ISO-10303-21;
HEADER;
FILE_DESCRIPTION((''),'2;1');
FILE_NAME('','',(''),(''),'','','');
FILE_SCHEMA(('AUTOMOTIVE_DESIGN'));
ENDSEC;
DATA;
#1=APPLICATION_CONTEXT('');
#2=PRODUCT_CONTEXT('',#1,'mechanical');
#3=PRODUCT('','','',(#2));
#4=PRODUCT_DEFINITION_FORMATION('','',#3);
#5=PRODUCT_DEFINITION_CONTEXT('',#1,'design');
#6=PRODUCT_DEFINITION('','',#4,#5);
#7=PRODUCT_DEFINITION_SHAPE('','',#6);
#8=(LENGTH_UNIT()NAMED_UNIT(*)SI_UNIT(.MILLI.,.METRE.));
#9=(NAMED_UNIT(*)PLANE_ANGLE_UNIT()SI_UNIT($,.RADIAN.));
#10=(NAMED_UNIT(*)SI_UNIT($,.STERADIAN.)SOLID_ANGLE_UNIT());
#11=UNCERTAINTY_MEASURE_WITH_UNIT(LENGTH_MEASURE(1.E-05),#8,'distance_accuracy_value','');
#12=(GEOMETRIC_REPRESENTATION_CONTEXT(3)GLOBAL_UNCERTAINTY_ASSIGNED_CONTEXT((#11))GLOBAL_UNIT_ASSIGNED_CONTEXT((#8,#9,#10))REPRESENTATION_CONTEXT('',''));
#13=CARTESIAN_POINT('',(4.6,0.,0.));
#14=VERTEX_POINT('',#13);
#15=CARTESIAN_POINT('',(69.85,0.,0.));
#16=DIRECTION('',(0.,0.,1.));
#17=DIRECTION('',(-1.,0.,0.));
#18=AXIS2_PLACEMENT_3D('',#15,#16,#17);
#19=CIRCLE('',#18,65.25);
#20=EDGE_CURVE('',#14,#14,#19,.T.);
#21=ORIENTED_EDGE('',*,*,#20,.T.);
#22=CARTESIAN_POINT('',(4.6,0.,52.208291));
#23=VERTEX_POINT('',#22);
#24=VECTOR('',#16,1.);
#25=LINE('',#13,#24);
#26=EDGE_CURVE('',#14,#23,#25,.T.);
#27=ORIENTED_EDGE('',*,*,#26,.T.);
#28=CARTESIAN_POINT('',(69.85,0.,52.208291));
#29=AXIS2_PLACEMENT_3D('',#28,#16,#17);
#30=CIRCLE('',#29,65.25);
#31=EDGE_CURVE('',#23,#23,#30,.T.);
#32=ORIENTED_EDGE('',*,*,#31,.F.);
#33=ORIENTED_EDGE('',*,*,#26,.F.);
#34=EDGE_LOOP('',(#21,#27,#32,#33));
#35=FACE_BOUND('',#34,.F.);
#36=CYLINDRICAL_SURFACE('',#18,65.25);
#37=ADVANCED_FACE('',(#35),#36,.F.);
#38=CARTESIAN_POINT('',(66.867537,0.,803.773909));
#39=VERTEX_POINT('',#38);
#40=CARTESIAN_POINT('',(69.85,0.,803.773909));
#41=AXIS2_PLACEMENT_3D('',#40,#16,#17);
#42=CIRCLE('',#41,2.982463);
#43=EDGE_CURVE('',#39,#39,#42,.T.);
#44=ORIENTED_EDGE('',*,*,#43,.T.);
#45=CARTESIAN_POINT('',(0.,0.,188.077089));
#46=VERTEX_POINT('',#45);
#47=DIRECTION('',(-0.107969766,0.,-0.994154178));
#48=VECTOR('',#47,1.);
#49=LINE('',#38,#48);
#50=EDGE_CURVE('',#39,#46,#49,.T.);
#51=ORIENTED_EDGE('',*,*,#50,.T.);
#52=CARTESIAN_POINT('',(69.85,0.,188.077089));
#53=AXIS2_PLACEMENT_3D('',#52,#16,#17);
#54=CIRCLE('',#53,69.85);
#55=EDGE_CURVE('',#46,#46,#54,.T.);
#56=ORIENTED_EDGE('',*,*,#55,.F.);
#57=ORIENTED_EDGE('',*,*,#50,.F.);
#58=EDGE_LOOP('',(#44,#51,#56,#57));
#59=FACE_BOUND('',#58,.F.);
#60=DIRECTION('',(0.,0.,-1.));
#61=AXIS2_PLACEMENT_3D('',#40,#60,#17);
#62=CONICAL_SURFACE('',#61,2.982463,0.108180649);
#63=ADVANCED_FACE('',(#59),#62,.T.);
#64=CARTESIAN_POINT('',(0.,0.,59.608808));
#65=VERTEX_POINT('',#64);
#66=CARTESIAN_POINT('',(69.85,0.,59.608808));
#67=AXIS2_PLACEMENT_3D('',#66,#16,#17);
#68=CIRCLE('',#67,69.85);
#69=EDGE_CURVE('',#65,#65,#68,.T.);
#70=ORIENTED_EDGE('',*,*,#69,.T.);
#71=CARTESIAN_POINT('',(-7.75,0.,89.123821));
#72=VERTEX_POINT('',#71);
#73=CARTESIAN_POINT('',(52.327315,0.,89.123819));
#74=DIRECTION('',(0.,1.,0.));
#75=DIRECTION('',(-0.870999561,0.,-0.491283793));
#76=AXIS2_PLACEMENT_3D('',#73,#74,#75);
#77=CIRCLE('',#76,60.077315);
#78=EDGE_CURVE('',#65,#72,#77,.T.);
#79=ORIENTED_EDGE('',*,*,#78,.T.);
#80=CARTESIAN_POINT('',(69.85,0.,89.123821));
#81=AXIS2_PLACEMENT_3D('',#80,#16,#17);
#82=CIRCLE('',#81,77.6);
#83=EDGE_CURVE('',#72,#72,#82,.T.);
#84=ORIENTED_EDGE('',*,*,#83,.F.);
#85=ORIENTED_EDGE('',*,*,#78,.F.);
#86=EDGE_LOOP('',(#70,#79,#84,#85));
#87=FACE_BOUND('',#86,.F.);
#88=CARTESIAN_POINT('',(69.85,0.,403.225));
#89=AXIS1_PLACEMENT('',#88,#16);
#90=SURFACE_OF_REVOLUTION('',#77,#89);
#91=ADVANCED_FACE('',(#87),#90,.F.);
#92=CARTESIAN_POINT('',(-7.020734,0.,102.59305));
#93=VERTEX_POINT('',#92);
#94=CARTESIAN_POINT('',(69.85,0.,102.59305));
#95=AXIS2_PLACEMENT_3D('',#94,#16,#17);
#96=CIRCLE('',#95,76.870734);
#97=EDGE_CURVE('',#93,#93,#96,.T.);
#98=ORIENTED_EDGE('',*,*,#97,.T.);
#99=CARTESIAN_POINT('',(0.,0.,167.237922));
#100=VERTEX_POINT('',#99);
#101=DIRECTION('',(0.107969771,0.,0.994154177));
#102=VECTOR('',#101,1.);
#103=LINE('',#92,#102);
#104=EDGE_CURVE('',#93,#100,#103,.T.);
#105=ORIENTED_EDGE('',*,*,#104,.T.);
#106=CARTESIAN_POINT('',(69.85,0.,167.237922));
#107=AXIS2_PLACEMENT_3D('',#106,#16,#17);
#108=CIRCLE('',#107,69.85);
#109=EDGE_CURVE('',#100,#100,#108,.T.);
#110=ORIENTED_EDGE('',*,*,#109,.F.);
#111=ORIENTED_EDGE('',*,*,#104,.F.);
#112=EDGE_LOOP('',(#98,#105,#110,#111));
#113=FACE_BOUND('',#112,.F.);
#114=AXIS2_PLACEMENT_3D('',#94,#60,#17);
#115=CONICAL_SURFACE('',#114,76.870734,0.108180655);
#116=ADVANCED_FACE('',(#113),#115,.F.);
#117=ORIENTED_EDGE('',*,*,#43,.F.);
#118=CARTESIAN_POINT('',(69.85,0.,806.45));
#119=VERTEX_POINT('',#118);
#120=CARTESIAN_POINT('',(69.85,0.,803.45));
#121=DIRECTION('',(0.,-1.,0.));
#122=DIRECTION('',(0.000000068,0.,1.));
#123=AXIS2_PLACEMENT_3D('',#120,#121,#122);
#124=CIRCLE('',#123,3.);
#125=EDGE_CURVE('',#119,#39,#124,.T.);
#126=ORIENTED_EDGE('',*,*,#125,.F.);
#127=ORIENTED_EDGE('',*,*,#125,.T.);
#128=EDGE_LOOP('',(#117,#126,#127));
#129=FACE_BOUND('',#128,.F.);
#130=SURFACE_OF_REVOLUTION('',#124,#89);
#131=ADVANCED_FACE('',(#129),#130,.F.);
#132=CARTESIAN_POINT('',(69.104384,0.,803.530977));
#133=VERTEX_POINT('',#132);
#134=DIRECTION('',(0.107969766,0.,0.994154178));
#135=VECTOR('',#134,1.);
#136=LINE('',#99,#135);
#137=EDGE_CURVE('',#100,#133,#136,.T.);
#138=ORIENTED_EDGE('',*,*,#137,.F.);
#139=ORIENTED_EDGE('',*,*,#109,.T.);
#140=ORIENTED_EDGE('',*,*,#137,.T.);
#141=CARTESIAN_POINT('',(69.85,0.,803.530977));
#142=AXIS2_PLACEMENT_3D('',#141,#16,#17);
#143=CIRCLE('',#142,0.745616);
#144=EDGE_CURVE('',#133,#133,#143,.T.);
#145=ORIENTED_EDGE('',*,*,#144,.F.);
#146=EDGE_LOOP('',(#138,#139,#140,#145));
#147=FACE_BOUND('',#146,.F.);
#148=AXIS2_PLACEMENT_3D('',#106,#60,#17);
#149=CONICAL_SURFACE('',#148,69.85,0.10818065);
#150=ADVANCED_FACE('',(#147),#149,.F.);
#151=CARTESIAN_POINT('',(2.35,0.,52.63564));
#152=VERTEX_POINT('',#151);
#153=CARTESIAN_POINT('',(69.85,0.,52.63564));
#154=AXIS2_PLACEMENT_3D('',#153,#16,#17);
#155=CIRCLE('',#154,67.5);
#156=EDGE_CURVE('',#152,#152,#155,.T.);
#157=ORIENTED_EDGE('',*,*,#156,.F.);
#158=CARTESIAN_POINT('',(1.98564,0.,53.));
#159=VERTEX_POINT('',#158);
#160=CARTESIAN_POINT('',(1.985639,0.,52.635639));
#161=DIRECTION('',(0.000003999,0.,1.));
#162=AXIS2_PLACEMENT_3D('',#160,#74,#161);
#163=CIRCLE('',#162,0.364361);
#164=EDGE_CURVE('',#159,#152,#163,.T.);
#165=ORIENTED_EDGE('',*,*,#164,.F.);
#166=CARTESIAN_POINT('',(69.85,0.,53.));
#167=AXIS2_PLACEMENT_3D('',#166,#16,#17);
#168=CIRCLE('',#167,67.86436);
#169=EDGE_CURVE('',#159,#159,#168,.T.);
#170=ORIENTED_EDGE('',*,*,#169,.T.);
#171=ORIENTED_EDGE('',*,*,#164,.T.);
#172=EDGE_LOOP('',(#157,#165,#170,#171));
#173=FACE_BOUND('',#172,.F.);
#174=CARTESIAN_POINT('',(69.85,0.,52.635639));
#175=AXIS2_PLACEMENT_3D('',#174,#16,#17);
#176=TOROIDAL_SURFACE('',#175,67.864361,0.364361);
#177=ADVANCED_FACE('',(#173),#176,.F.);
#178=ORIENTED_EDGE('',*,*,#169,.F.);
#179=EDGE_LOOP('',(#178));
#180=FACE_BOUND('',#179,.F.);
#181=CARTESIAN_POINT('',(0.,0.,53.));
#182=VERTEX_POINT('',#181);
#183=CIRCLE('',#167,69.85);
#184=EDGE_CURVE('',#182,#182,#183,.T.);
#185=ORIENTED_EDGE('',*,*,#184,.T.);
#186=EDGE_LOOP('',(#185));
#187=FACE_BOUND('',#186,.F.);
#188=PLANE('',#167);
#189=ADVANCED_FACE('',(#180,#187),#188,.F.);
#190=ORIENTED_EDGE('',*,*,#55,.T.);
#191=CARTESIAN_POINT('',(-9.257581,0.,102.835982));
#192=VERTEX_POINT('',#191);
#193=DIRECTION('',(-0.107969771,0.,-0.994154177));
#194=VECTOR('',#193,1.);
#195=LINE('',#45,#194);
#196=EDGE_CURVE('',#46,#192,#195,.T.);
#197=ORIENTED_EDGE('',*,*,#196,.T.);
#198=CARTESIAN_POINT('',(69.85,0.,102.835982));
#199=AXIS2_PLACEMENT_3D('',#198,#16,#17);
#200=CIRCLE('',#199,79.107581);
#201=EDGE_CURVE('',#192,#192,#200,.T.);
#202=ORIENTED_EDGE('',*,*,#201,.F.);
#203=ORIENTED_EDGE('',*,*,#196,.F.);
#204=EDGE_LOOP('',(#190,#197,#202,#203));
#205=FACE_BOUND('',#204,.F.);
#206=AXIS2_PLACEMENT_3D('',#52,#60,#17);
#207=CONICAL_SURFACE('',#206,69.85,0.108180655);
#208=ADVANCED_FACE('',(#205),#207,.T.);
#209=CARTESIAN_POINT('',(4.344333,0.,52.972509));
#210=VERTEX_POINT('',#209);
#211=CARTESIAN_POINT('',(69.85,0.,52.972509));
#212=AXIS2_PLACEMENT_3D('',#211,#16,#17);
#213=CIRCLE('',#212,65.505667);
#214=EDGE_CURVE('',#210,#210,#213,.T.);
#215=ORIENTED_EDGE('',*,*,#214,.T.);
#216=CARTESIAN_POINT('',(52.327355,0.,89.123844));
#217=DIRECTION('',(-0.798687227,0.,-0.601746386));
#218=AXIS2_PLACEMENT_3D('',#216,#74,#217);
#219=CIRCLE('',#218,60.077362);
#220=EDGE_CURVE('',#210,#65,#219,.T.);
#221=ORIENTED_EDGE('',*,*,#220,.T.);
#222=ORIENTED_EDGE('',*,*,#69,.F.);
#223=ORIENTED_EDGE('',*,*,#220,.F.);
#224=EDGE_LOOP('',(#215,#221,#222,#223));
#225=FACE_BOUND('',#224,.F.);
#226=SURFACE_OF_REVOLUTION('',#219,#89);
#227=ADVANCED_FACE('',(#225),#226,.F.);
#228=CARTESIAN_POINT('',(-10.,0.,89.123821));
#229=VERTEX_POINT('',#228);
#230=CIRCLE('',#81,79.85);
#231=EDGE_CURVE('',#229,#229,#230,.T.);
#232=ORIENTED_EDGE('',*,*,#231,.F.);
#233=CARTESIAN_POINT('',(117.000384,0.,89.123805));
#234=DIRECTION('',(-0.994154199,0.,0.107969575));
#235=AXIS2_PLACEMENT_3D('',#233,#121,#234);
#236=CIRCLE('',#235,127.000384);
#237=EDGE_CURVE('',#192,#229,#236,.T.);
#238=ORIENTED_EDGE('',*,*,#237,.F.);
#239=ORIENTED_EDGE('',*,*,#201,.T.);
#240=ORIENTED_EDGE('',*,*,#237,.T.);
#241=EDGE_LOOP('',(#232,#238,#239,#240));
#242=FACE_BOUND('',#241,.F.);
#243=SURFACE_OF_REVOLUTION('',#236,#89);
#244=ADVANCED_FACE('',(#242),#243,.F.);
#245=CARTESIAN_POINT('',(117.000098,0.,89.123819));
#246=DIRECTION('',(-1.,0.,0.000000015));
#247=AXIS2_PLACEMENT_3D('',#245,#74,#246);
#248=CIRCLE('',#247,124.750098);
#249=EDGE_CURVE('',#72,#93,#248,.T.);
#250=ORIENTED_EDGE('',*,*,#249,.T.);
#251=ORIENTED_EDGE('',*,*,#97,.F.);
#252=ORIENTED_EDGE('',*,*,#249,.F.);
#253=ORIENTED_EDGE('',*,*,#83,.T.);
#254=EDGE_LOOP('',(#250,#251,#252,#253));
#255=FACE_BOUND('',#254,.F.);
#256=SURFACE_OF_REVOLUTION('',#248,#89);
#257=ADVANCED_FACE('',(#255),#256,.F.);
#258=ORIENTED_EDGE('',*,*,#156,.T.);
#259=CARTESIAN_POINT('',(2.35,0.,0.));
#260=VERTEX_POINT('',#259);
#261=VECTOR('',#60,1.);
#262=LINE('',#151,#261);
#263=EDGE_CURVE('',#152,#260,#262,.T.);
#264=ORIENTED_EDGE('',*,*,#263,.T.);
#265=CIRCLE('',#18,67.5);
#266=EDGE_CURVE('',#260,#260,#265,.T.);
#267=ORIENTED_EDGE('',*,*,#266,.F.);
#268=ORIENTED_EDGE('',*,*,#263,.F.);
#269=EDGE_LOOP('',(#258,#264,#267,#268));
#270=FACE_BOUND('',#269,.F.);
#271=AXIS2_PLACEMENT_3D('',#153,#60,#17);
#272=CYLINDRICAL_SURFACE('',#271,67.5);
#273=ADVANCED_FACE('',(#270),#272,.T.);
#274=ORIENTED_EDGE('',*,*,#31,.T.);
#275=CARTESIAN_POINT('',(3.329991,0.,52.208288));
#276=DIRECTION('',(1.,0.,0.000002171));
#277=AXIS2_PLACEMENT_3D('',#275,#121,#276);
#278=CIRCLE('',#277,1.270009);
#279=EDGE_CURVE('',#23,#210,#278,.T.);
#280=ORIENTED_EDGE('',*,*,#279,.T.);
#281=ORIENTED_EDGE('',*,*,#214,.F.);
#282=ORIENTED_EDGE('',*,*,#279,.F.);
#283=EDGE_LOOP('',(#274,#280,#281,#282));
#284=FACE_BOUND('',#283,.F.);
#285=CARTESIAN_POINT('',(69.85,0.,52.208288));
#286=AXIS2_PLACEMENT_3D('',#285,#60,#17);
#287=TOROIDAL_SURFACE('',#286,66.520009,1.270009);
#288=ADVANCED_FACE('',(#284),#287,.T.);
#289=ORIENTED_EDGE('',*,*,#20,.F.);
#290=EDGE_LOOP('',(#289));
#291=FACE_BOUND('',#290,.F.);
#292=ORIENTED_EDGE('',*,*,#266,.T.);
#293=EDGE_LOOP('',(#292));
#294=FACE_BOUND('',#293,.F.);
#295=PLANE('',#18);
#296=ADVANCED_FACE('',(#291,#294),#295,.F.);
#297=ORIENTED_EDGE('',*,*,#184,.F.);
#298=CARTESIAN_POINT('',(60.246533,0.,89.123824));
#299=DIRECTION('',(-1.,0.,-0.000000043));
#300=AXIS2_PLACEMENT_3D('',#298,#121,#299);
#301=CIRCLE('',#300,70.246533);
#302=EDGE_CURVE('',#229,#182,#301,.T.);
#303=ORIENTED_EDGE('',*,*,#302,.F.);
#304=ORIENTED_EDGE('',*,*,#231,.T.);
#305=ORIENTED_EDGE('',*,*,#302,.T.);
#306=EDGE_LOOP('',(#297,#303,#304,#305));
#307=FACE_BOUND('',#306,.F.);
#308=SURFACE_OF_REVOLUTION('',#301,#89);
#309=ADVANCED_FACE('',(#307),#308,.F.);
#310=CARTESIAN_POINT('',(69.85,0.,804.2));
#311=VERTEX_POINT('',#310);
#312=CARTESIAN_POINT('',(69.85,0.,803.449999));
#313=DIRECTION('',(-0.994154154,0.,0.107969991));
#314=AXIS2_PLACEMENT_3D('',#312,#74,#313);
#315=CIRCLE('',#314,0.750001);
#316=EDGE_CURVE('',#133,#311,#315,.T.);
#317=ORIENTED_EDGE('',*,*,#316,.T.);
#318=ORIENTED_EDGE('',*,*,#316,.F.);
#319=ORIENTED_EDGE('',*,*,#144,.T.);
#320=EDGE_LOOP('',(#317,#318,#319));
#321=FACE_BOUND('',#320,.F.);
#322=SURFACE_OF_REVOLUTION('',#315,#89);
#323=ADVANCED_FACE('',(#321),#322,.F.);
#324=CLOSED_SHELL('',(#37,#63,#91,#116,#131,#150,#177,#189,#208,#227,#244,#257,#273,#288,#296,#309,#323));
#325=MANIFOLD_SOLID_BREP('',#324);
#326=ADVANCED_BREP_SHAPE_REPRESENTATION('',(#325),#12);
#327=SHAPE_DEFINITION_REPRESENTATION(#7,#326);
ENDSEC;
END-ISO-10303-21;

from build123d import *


with BuildPart() as f1:
    # F0 (on Front) → F1 (revolve)
    with BuildSketch(Plane.XZ):
        with BuildLine():
            Line((0, 59.608808), (0, 53))
            Line((0, 53), (1.98564, 53))
            ThreePointArc((1.98564, 53), (2.243281, 52.893281), (2.35, 52.63564))
            Line((2.35, 52.63564), (2.35, 0))
            Line((2.35, 0), (4.6, 0))
            Line((4.6, 0), (4.6, 52.208291))
            ThreePointArc((4.6, 52.208291), (4.534388, 52.611216), (4.344333, 52.972509))
            ThreePointArc((4.344333, 52.972509), (2.062526, 56.218884), (0, 59.608808))
        make_face()
        with BuildLine():
            ThreePointArc((-10, 89.123821), (-7.453856, 70.38262), (0, 53))
            Line((0, 53), (0, 59.608808))
            ThreePointArc((0, 59.608808), (-5.780208, 73.866049), (-7.75, 89.123821))
            Line((-7.75, 89.123821), (-10, 89.123821))
        make_face()
        with BuildLine():
            ThreePointArc((-9.257581, 102.835982), (-9.814259, 95.989943), (-10, 89.123821))
            Line((-10, 89.123821), (-7.75, 89.123821))
            ThreePointArc((-7.75, 89.123821), (-7.56755, 95.8683), (-7.020734, 102.59305))
            Line((-7.020734, 102.59305), (0, 167.237922))
            Line((0, 167.237922), (0, 188.077089))
            Line((0, 188.077089), (-9.257581, 102.835982))
        make_face()
        with BuildLine():
            Line((0, 188.077089), (0, 167.237922))
            Line((0, 167.237922), (69.104384, 803.530977))
            ThreePointArc((69.104384, 803.530977), (69.349117, 804.008226), (69.85, 804.2))
            Line((69.85, 804.2), (69.85, 806.45))
            ThreePointArc((69.85, 806.45), (67.846469, 805.682905), (66.867537, 803.773909))
            Line((66.867537, 803.773909), (0, 188.077089))
        make_face()
    revolve(axis=Axis((69.85, 0, 403.225), (0, 0, 1)))


solid = f1.part
